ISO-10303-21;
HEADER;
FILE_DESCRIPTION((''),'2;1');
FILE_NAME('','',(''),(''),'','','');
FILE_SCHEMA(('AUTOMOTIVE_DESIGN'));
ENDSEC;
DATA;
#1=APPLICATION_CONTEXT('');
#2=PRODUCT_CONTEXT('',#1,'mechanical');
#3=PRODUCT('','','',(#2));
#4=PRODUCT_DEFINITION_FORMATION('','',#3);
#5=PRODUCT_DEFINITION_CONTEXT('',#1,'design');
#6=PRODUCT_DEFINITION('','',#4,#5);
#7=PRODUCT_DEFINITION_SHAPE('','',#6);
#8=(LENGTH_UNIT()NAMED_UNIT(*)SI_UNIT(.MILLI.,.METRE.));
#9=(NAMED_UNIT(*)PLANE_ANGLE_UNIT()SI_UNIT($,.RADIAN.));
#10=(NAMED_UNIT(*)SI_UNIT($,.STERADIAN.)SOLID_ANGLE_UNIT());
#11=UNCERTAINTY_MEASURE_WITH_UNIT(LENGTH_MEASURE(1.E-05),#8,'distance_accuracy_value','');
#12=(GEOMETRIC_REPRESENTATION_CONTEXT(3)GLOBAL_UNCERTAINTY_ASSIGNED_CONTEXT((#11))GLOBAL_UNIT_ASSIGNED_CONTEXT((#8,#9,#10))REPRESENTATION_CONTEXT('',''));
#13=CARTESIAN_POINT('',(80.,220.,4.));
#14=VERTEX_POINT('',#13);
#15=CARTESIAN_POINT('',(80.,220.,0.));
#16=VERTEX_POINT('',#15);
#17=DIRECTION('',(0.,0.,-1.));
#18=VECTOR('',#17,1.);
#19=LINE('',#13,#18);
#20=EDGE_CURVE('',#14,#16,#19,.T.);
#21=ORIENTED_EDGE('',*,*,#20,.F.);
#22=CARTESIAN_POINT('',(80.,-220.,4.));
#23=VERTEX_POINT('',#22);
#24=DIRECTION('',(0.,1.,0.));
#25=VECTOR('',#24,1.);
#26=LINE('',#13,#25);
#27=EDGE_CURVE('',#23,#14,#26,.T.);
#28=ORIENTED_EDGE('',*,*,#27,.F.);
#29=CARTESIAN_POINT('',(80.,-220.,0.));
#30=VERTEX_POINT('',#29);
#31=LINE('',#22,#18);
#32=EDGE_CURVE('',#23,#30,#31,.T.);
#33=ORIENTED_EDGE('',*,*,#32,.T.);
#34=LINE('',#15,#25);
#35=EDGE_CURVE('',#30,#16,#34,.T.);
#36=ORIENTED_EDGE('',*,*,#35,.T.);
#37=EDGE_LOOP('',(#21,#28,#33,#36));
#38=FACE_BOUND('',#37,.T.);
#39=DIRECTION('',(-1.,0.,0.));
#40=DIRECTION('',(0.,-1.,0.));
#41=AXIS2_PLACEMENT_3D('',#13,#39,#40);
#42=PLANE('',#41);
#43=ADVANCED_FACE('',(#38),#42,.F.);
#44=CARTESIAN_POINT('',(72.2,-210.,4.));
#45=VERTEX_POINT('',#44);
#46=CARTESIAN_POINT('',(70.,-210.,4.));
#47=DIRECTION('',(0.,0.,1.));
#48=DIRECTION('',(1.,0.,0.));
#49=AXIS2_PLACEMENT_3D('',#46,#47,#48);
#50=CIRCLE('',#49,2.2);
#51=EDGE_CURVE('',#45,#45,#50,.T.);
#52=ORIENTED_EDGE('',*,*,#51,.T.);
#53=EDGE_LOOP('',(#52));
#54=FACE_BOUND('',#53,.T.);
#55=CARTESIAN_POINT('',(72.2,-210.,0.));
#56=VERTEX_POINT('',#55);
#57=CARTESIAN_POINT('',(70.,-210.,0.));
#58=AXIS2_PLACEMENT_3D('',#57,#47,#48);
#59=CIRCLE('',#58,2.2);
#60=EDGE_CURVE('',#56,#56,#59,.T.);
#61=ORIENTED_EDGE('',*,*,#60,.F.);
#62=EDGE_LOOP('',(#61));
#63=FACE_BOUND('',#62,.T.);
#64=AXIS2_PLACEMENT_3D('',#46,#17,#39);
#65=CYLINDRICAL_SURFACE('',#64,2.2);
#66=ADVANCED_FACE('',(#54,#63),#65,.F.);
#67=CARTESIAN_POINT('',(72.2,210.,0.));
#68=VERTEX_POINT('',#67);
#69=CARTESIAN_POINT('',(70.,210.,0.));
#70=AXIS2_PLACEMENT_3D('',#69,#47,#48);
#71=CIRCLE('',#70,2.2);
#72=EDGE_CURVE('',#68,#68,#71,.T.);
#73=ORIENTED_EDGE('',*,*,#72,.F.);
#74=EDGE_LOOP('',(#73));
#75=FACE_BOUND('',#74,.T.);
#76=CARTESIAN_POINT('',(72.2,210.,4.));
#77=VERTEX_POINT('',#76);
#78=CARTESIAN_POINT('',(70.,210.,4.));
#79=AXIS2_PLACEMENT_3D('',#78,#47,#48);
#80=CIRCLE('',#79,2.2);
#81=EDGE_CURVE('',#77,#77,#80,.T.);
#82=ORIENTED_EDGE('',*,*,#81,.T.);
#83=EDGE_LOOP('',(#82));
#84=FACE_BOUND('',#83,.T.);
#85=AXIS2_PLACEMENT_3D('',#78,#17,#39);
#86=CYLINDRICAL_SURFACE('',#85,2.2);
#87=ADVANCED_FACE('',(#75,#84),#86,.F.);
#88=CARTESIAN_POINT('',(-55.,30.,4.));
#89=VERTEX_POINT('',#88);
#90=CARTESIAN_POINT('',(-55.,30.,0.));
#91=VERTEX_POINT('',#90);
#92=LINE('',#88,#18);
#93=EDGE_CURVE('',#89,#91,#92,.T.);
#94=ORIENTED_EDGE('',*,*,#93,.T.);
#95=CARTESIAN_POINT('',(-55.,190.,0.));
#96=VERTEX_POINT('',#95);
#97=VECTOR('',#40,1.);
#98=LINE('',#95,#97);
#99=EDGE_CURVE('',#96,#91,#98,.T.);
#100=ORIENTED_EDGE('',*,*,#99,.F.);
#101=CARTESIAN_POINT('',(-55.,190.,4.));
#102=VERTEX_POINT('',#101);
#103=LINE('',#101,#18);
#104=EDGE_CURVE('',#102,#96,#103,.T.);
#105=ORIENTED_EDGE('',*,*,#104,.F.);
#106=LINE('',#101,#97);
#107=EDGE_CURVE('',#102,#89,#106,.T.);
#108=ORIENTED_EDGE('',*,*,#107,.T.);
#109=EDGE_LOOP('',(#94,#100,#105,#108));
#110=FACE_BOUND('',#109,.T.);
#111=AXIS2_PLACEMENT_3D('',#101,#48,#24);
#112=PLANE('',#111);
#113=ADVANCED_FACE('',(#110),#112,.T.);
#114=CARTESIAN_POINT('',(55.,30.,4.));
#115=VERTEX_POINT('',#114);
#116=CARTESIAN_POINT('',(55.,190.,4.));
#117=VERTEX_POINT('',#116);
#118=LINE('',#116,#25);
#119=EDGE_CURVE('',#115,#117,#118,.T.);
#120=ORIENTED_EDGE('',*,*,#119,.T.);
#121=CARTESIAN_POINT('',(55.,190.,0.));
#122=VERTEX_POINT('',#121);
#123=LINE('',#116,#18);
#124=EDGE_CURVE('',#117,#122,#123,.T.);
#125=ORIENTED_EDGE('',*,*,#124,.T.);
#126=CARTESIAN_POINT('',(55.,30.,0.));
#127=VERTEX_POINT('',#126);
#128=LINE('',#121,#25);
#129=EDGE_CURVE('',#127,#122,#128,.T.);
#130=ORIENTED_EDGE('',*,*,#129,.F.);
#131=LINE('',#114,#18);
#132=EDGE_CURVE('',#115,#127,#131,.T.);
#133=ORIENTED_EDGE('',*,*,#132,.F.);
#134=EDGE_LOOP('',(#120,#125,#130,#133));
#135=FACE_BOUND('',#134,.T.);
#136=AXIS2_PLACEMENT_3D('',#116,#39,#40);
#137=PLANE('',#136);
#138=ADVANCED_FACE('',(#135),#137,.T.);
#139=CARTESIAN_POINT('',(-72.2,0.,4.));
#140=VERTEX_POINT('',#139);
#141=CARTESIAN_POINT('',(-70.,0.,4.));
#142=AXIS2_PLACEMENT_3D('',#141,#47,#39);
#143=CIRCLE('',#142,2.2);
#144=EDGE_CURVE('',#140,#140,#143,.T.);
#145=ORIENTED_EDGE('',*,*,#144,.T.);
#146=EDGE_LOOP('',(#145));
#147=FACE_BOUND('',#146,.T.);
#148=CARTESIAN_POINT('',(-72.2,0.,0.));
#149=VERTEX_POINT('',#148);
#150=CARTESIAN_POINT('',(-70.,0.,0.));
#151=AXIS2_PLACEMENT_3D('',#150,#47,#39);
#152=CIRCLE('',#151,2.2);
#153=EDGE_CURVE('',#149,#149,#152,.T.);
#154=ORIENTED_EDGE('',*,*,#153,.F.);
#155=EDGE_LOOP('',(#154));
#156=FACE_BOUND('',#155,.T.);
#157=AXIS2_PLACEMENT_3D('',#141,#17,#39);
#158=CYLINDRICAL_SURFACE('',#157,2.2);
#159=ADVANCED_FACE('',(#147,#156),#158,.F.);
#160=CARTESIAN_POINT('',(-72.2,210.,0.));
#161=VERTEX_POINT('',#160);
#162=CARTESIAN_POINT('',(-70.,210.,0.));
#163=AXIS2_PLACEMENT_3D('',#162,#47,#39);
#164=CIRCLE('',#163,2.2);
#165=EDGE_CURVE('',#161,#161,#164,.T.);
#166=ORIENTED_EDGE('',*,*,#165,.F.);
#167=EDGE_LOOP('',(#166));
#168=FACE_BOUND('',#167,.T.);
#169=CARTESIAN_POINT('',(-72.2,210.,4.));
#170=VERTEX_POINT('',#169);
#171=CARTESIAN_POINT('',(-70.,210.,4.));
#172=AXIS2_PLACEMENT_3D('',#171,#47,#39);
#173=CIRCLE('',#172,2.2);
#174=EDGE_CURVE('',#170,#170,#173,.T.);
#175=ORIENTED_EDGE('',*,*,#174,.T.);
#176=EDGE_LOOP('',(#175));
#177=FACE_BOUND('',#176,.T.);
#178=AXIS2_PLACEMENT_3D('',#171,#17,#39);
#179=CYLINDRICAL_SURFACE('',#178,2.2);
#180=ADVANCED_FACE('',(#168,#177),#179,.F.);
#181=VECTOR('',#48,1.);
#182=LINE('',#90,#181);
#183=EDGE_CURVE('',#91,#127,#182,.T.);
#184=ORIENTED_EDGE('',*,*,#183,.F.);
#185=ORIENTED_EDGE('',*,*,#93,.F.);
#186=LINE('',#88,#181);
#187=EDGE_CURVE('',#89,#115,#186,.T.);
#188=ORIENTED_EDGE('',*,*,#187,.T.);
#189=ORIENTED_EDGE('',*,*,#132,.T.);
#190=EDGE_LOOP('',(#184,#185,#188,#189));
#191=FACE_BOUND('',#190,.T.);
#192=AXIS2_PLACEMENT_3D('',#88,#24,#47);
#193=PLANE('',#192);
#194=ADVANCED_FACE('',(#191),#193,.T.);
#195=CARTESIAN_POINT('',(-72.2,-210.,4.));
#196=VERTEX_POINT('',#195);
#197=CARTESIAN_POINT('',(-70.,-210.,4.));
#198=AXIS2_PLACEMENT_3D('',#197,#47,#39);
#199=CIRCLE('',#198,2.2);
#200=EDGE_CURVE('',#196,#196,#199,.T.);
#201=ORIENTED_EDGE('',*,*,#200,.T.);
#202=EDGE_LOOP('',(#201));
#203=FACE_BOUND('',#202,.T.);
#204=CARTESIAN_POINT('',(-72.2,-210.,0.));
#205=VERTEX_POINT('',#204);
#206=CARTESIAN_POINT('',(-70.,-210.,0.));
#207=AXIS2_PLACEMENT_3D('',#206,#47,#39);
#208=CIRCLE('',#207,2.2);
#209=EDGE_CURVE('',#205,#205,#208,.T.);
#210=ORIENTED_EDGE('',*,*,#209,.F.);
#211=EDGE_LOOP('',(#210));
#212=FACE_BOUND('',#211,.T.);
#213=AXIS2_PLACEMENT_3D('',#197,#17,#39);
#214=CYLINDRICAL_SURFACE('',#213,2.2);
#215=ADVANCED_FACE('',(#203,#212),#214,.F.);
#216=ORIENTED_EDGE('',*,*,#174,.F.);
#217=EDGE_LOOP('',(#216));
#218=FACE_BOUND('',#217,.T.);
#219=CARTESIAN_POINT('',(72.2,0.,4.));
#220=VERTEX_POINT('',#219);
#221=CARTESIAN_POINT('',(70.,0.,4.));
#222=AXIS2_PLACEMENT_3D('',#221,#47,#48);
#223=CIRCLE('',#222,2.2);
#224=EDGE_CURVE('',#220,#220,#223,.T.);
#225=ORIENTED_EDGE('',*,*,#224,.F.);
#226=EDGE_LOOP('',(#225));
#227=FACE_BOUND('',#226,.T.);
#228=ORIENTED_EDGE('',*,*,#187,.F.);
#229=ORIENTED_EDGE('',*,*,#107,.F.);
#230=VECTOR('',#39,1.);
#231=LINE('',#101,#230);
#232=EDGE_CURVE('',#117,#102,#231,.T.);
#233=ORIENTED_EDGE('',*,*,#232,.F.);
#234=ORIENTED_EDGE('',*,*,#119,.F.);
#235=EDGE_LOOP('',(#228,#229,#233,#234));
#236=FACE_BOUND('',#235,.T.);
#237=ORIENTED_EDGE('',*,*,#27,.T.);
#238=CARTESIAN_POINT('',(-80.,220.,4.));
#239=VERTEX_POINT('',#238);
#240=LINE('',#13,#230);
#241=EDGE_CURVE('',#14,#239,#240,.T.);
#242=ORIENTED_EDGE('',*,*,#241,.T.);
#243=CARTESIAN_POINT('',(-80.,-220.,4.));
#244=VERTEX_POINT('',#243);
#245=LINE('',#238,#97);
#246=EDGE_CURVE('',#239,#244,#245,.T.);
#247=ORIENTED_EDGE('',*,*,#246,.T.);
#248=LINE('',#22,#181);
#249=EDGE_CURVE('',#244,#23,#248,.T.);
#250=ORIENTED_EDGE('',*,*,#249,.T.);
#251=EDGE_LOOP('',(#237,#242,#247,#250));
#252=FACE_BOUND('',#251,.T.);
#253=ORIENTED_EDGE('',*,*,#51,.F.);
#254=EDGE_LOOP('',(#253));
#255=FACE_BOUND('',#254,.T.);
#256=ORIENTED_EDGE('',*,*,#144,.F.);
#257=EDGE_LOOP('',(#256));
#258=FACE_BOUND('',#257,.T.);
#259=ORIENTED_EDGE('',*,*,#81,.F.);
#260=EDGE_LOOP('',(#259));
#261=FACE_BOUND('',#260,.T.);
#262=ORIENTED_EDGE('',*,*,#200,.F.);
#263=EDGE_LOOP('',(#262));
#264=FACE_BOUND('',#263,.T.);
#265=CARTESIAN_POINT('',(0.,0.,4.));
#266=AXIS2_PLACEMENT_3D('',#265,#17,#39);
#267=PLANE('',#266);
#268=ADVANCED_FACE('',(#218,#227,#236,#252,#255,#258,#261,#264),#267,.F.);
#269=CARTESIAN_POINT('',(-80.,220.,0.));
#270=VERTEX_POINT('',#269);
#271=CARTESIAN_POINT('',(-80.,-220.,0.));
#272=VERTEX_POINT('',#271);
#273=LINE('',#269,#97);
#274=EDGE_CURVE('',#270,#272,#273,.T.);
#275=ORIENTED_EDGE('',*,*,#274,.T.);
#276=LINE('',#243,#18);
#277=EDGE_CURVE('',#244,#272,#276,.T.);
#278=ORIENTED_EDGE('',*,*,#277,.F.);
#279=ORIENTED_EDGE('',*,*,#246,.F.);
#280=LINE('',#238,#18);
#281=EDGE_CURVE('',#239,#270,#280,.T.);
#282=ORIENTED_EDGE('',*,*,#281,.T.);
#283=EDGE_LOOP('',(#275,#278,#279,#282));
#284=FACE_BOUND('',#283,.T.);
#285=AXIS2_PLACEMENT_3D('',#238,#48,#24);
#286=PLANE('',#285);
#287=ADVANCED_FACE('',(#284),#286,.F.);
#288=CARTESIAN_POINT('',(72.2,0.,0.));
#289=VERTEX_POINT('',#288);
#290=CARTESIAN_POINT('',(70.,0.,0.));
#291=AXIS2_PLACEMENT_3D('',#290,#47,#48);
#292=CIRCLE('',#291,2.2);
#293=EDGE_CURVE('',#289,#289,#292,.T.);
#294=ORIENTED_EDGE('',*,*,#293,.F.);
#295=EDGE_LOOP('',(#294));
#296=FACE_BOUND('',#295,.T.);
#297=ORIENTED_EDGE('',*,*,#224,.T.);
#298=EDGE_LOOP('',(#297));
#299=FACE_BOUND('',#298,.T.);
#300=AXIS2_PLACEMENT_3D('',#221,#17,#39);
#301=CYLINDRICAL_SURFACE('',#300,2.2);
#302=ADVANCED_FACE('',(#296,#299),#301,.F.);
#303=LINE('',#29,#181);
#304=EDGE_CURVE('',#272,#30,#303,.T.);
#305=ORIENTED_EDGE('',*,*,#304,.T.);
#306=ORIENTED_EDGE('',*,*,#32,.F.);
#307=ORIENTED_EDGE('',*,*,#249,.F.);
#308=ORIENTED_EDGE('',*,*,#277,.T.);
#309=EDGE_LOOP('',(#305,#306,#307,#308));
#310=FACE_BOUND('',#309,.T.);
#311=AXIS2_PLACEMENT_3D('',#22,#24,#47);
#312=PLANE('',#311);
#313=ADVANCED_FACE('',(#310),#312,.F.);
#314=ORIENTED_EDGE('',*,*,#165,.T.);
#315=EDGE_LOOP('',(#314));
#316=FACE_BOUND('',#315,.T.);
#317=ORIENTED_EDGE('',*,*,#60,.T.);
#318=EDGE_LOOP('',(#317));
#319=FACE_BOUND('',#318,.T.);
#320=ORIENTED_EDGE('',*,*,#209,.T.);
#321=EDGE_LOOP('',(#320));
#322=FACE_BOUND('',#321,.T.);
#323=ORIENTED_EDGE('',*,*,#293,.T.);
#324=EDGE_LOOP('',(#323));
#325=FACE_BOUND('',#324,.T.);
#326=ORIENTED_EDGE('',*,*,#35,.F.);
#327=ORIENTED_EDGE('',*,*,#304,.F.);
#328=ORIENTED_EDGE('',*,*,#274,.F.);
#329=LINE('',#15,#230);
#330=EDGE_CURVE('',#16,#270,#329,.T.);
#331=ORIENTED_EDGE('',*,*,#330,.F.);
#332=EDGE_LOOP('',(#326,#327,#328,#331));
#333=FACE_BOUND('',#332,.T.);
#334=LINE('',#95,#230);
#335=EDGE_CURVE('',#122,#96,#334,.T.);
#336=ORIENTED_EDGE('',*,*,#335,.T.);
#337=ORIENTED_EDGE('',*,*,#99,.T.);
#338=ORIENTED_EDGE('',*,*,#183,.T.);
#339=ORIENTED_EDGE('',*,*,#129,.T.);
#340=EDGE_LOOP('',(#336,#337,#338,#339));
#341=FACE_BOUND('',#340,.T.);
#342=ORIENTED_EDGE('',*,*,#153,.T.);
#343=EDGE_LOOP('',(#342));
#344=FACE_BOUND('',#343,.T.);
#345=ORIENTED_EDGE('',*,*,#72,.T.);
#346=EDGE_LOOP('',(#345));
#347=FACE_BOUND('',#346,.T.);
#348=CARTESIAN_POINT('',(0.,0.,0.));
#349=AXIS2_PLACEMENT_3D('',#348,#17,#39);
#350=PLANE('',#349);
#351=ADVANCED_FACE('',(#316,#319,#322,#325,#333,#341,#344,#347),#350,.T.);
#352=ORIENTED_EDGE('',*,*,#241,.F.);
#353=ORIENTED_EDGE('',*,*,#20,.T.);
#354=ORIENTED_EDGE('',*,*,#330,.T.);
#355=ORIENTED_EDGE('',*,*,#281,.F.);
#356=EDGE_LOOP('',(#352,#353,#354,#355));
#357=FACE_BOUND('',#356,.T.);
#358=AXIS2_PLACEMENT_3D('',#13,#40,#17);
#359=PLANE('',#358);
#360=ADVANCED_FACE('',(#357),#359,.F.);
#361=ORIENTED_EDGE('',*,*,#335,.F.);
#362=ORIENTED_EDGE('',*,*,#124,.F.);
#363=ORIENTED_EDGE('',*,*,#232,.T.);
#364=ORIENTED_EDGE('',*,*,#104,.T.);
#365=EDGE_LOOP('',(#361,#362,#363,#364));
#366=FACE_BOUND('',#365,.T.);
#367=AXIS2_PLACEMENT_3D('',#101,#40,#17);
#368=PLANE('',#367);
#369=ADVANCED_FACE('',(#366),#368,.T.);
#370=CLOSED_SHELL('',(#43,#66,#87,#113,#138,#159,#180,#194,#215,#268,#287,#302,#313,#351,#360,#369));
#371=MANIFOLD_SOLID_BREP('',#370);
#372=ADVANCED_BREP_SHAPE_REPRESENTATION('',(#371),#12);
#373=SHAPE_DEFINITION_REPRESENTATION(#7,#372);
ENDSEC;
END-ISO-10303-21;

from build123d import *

# Parameters (mm, degrees)
ESQUISSE1_W        = 160
ESQUISSE1_H        = 440
ESQUISSE1_R        = 2.2
ESQUISSE1_W_2      = 110
ESQUISSE1_H_2      = 160
BOSS_EXTRU_1_DEPTH = 4


with BuildPart() as part:
    # Esquisse1 → Boss.-Extru.1 (new body)
    with BuildSketch(Plane.XY):
        Rectangle(ESQUISSE1_W, ESQUISSE1_H)
        with Locations((70, 0)):
            Circle(ESQUISSE1_R, mode=Mode.SUBTRACT)
        with Locations((70, 210)):
            Circle(ESQUISSE1_R, mode=Mode.SUBTRACT)
        with Locations((70, -210)):
            Circle(ESQUISSE1_R, mode=Mode.SUBTRACT)
        with Locations((-70, 210)):
            Circle(ESQUISSE1_R, mode=Mode.SUBTRACT)
        with Locations((-70, 0)):
            Circle(ESQUISSE1_R, mode=Mode.SUBTRACT)
        with Locations((-70, -210)):
            Circle(ESQUISSE1_R, mode=Mode.SUBTRACT)
        with Locations((0, 110)):
            Rectangle(ESQUISSE1_W_2, ESQUISSE1_H_2, mode=Mode.SUBTRACT)
    extrude(amount=BOSS_EXTRU_1_DEPTH)


solid = part.part
